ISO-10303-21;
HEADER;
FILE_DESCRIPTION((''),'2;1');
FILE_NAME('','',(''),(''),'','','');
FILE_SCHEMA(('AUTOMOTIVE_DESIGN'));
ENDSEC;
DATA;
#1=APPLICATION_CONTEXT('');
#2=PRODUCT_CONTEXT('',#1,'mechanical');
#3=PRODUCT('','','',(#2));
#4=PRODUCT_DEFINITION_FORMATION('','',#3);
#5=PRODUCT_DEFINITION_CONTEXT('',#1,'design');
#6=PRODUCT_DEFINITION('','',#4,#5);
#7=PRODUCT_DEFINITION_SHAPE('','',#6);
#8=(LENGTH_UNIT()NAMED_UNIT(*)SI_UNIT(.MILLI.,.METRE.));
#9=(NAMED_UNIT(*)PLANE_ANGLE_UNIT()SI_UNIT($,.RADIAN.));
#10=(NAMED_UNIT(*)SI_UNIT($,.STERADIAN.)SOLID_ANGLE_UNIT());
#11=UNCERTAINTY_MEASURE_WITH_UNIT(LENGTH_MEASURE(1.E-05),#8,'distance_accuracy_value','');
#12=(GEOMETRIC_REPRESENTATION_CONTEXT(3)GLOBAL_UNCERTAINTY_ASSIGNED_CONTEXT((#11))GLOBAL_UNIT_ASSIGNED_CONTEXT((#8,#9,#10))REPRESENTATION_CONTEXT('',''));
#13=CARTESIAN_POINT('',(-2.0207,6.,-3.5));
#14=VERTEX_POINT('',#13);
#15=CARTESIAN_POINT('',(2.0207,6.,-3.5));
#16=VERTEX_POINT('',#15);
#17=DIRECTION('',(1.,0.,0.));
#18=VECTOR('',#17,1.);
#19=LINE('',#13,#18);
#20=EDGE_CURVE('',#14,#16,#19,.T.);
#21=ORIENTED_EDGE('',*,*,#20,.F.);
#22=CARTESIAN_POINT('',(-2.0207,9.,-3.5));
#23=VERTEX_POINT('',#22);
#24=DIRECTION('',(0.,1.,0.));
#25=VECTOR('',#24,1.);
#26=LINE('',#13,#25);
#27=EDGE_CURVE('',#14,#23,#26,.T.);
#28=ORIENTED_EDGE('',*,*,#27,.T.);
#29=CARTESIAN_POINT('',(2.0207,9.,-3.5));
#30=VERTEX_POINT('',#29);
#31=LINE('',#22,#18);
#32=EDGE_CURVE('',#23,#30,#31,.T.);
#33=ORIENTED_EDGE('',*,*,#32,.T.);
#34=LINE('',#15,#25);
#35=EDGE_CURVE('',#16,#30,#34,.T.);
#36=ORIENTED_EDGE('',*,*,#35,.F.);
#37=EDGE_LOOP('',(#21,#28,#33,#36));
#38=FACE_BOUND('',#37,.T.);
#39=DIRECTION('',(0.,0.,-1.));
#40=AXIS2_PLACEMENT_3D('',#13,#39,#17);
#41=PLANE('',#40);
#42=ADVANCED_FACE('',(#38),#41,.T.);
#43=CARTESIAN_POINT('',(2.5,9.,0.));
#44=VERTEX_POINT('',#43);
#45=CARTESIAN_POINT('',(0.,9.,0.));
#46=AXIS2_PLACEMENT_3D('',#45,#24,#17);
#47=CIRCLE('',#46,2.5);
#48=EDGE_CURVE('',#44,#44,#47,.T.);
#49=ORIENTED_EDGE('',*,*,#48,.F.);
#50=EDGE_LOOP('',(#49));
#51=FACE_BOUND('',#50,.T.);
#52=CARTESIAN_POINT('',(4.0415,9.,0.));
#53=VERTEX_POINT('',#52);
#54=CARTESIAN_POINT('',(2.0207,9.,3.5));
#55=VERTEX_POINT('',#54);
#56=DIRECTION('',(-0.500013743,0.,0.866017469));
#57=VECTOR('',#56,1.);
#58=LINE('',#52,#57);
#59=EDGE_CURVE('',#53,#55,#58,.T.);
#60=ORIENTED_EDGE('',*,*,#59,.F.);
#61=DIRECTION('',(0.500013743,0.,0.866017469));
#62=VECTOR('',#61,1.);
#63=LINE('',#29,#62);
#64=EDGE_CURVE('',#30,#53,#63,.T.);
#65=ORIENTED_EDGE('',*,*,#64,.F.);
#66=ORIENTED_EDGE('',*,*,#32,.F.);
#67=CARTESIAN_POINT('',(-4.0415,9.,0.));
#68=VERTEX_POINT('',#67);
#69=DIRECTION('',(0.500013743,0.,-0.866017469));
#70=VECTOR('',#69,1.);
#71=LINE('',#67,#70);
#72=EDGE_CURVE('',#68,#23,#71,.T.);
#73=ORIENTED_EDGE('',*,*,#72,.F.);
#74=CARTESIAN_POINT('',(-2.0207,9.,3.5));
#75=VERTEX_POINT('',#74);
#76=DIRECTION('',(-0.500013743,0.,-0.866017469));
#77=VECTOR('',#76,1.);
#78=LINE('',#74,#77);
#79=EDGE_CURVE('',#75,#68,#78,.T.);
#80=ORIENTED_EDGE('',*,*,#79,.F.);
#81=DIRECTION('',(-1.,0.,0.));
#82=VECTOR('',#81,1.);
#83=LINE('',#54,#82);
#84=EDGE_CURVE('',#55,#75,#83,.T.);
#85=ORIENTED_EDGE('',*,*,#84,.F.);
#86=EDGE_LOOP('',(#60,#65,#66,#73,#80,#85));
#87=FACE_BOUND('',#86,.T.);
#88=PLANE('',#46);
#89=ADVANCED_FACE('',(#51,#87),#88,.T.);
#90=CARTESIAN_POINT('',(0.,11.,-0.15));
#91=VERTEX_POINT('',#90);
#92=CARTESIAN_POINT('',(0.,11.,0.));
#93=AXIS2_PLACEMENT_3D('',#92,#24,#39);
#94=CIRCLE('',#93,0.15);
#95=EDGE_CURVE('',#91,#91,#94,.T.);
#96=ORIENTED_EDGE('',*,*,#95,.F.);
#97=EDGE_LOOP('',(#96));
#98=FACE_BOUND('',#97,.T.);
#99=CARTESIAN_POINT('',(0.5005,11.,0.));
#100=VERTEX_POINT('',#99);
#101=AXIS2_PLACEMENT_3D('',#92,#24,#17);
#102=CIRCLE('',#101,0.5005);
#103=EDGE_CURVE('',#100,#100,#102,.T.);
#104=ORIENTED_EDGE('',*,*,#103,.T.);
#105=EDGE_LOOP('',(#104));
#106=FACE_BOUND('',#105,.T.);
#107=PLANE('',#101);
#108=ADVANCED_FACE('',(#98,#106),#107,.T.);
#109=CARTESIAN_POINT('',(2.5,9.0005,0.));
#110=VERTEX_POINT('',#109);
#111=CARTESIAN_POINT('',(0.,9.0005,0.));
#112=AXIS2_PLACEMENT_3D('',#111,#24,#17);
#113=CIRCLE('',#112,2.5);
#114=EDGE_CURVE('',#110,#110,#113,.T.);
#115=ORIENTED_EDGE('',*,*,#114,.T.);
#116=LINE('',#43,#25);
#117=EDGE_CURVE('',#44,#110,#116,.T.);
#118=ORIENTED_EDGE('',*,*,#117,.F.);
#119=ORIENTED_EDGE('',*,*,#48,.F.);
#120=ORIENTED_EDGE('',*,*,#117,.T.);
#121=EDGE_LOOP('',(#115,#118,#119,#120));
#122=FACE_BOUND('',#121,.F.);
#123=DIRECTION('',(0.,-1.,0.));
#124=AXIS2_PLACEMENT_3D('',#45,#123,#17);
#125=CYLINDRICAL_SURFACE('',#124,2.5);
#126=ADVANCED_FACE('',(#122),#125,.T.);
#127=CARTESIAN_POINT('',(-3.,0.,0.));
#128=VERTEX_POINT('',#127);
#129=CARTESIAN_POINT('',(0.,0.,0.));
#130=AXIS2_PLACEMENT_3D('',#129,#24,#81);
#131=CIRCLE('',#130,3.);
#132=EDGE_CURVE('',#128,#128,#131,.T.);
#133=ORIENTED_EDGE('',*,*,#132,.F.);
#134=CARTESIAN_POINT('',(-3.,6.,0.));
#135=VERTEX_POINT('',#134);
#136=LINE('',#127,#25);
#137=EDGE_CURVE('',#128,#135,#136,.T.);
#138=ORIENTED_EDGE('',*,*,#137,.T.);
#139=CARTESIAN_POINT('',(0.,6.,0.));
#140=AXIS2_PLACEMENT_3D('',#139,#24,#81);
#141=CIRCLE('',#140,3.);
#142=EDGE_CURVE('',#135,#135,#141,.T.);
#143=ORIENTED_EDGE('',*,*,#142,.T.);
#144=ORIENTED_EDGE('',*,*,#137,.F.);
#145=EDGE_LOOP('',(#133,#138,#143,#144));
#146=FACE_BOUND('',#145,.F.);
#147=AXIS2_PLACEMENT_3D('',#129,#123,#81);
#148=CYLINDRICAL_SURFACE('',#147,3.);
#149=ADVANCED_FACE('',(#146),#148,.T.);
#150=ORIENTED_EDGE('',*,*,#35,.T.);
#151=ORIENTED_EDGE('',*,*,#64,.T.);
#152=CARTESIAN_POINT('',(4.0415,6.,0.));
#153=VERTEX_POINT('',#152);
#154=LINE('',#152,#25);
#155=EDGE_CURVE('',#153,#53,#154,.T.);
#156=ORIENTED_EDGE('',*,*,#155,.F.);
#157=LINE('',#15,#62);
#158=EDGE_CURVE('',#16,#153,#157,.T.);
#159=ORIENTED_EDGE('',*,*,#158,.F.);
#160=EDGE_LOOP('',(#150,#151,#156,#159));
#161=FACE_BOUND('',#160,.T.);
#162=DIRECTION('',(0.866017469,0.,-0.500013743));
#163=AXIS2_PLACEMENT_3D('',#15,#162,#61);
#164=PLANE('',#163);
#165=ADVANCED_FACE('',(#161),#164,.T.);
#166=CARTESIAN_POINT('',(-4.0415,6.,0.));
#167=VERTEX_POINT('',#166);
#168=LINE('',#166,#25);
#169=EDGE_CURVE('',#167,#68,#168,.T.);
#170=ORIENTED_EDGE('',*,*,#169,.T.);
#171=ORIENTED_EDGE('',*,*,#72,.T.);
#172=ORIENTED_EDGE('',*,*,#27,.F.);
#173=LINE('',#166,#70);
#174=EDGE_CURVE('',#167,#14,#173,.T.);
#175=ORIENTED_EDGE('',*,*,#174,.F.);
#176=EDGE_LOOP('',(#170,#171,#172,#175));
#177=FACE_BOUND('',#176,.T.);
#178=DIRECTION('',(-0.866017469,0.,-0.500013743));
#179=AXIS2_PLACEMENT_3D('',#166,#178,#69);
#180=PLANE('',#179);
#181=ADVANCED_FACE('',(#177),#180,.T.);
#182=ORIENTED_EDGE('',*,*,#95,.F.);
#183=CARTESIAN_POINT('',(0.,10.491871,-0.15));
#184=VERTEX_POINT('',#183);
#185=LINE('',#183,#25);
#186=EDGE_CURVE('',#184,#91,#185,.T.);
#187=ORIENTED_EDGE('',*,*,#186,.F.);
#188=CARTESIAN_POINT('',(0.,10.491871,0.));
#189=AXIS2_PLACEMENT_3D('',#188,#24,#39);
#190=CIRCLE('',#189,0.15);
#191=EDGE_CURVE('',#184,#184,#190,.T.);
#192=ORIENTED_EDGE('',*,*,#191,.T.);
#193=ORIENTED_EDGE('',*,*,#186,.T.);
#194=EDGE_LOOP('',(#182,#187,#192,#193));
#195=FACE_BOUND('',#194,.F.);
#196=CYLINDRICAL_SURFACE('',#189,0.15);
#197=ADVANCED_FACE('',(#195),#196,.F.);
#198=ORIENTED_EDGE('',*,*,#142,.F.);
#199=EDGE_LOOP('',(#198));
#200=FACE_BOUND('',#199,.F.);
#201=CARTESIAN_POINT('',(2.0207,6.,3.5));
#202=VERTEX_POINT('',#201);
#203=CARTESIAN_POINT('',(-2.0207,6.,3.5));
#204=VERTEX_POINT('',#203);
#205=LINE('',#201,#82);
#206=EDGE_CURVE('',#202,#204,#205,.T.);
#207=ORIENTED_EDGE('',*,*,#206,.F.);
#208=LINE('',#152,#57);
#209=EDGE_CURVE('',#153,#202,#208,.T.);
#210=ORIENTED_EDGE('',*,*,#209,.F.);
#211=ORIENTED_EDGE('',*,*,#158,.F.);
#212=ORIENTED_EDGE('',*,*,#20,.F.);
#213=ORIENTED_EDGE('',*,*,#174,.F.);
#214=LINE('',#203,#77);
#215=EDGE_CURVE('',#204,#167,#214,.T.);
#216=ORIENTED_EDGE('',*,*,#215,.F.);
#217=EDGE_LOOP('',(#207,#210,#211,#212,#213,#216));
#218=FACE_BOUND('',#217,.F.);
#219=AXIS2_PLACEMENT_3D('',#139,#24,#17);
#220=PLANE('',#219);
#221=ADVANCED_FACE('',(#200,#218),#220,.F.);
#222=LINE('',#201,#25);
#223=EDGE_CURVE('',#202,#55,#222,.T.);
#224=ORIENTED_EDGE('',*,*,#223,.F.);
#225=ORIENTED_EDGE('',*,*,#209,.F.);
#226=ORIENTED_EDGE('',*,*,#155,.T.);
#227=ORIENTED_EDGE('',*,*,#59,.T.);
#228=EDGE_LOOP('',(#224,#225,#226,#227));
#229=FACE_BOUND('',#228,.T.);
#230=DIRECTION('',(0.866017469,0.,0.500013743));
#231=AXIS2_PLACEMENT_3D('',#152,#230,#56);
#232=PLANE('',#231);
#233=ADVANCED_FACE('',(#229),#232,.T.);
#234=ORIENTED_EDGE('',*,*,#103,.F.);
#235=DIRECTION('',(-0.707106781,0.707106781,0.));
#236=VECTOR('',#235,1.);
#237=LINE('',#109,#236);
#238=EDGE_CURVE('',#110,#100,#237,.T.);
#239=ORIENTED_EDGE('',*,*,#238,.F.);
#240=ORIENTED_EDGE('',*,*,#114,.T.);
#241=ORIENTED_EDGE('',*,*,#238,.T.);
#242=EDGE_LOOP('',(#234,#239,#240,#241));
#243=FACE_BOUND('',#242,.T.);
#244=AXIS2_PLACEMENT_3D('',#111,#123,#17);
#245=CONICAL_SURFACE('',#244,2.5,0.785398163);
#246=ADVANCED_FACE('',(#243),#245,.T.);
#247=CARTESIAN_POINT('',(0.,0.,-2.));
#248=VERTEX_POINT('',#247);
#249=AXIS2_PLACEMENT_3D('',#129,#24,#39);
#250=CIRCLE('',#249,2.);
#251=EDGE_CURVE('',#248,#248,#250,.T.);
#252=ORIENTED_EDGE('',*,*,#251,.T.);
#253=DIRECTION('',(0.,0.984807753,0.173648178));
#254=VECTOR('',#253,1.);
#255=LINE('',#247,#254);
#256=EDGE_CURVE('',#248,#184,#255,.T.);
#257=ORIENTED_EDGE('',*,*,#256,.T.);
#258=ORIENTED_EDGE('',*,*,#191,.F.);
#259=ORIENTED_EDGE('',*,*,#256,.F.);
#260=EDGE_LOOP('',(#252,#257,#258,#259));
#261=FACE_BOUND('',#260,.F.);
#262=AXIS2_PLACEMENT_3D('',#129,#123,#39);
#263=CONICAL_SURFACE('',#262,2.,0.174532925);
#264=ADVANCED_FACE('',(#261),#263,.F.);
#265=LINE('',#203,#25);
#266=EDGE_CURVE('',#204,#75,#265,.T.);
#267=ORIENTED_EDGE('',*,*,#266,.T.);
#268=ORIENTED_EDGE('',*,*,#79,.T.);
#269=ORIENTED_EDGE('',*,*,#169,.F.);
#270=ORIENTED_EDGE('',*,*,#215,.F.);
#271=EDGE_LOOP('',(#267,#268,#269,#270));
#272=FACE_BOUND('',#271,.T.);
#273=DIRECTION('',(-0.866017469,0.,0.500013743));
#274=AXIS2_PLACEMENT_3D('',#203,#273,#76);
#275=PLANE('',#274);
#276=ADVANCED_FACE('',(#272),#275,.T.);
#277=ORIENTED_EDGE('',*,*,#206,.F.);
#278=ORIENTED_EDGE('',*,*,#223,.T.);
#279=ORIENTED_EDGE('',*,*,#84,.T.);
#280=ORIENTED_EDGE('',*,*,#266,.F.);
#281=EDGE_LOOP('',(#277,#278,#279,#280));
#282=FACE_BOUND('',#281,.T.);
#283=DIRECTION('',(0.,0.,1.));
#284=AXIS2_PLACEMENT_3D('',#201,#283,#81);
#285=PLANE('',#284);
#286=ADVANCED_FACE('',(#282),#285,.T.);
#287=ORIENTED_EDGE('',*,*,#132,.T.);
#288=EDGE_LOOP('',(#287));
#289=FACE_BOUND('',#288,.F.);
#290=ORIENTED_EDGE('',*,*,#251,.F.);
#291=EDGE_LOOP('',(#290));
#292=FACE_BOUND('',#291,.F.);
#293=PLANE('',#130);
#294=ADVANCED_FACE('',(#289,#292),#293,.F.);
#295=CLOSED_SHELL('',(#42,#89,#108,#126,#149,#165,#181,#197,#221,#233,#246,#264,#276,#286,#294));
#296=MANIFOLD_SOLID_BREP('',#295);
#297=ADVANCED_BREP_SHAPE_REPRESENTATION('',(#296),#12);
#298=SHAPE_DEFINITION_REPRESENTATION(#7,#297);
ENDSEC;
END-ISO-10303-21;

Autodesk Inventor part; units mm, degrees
ref_plane "YZ Plane" through (0, 0, 0) normal (1, 0, 0) x (0, 1, 0)
ref_plane "XZ Plane" through (0, 0, 0) normal (0, 1, 0) x (-1, 0, 0)
ref_plane "XY Plane" through (0, 0, 0) normal (0, 0, 1) x (1, 0, 0)
sketch "Sketch1" plane through (0, 0, 0) normal (0, 1, 0) x (-1, 0, 0)
  circle A0 centre (0, 0) radius 3
  dimension "d0" = 6
extrude "Extrusion1" add sketch "Sketch1" along normal blind 6
sketch "Sketch2" plane through (0, 6, 0) normal (0, 1, 0) x (1, 0, 0)
  line L0 (-4.0415, 0) -> (-2.0207, 3.5)
  line L1 (-2.0207, 3.5) -> (2.0207, 3.5)
  line L2 (2.0207, 3.5) -> (4.0415, 0)
  line L3 (4.0415, 0) -> (2.0207, -3.5)
  line L4 (2.0207, -3.5) -> (-2.0207, -3.5)
  line L5 (-2.0207, -3.5) -> (-4.0415, 0)
  point P0 (0, 0)
  point P1 (0, 0)
  dimension "d3" = 7
extrude "Extrusion2" add sketch "Sketch2" along normal blind 3
sketch "Sketch3" plane through (0, 9, 0) normal (0, 1, 0) x (1, 0, 0)
  circle A0 centre (0, 0) radius 2.5
  dimension "d6" = 5
extrude "Extrusion3" add sketch "Sketch3" along normal blind 2
chamfer "Chamfer1" distance 2 angle 45 1 edges at (-2.5, 11, 0)
sketch "Sketch4" plane through (0, 0, 0) normal (0, -1, 0) x (1, 0, 0)
  circle A0 centre (0, 0) radius 0.5 projected
hole "Hole1" at (0, 0, 0) direction (0, 1, 0) diameter 0.3 end through all countersink diameter 4 countersink angle 20
thread "Thread1" size "M6x1" class "6g" standard "ANSI Metric M Profile" full length
properties part number "Chimera Nozzle" material "Brass"
